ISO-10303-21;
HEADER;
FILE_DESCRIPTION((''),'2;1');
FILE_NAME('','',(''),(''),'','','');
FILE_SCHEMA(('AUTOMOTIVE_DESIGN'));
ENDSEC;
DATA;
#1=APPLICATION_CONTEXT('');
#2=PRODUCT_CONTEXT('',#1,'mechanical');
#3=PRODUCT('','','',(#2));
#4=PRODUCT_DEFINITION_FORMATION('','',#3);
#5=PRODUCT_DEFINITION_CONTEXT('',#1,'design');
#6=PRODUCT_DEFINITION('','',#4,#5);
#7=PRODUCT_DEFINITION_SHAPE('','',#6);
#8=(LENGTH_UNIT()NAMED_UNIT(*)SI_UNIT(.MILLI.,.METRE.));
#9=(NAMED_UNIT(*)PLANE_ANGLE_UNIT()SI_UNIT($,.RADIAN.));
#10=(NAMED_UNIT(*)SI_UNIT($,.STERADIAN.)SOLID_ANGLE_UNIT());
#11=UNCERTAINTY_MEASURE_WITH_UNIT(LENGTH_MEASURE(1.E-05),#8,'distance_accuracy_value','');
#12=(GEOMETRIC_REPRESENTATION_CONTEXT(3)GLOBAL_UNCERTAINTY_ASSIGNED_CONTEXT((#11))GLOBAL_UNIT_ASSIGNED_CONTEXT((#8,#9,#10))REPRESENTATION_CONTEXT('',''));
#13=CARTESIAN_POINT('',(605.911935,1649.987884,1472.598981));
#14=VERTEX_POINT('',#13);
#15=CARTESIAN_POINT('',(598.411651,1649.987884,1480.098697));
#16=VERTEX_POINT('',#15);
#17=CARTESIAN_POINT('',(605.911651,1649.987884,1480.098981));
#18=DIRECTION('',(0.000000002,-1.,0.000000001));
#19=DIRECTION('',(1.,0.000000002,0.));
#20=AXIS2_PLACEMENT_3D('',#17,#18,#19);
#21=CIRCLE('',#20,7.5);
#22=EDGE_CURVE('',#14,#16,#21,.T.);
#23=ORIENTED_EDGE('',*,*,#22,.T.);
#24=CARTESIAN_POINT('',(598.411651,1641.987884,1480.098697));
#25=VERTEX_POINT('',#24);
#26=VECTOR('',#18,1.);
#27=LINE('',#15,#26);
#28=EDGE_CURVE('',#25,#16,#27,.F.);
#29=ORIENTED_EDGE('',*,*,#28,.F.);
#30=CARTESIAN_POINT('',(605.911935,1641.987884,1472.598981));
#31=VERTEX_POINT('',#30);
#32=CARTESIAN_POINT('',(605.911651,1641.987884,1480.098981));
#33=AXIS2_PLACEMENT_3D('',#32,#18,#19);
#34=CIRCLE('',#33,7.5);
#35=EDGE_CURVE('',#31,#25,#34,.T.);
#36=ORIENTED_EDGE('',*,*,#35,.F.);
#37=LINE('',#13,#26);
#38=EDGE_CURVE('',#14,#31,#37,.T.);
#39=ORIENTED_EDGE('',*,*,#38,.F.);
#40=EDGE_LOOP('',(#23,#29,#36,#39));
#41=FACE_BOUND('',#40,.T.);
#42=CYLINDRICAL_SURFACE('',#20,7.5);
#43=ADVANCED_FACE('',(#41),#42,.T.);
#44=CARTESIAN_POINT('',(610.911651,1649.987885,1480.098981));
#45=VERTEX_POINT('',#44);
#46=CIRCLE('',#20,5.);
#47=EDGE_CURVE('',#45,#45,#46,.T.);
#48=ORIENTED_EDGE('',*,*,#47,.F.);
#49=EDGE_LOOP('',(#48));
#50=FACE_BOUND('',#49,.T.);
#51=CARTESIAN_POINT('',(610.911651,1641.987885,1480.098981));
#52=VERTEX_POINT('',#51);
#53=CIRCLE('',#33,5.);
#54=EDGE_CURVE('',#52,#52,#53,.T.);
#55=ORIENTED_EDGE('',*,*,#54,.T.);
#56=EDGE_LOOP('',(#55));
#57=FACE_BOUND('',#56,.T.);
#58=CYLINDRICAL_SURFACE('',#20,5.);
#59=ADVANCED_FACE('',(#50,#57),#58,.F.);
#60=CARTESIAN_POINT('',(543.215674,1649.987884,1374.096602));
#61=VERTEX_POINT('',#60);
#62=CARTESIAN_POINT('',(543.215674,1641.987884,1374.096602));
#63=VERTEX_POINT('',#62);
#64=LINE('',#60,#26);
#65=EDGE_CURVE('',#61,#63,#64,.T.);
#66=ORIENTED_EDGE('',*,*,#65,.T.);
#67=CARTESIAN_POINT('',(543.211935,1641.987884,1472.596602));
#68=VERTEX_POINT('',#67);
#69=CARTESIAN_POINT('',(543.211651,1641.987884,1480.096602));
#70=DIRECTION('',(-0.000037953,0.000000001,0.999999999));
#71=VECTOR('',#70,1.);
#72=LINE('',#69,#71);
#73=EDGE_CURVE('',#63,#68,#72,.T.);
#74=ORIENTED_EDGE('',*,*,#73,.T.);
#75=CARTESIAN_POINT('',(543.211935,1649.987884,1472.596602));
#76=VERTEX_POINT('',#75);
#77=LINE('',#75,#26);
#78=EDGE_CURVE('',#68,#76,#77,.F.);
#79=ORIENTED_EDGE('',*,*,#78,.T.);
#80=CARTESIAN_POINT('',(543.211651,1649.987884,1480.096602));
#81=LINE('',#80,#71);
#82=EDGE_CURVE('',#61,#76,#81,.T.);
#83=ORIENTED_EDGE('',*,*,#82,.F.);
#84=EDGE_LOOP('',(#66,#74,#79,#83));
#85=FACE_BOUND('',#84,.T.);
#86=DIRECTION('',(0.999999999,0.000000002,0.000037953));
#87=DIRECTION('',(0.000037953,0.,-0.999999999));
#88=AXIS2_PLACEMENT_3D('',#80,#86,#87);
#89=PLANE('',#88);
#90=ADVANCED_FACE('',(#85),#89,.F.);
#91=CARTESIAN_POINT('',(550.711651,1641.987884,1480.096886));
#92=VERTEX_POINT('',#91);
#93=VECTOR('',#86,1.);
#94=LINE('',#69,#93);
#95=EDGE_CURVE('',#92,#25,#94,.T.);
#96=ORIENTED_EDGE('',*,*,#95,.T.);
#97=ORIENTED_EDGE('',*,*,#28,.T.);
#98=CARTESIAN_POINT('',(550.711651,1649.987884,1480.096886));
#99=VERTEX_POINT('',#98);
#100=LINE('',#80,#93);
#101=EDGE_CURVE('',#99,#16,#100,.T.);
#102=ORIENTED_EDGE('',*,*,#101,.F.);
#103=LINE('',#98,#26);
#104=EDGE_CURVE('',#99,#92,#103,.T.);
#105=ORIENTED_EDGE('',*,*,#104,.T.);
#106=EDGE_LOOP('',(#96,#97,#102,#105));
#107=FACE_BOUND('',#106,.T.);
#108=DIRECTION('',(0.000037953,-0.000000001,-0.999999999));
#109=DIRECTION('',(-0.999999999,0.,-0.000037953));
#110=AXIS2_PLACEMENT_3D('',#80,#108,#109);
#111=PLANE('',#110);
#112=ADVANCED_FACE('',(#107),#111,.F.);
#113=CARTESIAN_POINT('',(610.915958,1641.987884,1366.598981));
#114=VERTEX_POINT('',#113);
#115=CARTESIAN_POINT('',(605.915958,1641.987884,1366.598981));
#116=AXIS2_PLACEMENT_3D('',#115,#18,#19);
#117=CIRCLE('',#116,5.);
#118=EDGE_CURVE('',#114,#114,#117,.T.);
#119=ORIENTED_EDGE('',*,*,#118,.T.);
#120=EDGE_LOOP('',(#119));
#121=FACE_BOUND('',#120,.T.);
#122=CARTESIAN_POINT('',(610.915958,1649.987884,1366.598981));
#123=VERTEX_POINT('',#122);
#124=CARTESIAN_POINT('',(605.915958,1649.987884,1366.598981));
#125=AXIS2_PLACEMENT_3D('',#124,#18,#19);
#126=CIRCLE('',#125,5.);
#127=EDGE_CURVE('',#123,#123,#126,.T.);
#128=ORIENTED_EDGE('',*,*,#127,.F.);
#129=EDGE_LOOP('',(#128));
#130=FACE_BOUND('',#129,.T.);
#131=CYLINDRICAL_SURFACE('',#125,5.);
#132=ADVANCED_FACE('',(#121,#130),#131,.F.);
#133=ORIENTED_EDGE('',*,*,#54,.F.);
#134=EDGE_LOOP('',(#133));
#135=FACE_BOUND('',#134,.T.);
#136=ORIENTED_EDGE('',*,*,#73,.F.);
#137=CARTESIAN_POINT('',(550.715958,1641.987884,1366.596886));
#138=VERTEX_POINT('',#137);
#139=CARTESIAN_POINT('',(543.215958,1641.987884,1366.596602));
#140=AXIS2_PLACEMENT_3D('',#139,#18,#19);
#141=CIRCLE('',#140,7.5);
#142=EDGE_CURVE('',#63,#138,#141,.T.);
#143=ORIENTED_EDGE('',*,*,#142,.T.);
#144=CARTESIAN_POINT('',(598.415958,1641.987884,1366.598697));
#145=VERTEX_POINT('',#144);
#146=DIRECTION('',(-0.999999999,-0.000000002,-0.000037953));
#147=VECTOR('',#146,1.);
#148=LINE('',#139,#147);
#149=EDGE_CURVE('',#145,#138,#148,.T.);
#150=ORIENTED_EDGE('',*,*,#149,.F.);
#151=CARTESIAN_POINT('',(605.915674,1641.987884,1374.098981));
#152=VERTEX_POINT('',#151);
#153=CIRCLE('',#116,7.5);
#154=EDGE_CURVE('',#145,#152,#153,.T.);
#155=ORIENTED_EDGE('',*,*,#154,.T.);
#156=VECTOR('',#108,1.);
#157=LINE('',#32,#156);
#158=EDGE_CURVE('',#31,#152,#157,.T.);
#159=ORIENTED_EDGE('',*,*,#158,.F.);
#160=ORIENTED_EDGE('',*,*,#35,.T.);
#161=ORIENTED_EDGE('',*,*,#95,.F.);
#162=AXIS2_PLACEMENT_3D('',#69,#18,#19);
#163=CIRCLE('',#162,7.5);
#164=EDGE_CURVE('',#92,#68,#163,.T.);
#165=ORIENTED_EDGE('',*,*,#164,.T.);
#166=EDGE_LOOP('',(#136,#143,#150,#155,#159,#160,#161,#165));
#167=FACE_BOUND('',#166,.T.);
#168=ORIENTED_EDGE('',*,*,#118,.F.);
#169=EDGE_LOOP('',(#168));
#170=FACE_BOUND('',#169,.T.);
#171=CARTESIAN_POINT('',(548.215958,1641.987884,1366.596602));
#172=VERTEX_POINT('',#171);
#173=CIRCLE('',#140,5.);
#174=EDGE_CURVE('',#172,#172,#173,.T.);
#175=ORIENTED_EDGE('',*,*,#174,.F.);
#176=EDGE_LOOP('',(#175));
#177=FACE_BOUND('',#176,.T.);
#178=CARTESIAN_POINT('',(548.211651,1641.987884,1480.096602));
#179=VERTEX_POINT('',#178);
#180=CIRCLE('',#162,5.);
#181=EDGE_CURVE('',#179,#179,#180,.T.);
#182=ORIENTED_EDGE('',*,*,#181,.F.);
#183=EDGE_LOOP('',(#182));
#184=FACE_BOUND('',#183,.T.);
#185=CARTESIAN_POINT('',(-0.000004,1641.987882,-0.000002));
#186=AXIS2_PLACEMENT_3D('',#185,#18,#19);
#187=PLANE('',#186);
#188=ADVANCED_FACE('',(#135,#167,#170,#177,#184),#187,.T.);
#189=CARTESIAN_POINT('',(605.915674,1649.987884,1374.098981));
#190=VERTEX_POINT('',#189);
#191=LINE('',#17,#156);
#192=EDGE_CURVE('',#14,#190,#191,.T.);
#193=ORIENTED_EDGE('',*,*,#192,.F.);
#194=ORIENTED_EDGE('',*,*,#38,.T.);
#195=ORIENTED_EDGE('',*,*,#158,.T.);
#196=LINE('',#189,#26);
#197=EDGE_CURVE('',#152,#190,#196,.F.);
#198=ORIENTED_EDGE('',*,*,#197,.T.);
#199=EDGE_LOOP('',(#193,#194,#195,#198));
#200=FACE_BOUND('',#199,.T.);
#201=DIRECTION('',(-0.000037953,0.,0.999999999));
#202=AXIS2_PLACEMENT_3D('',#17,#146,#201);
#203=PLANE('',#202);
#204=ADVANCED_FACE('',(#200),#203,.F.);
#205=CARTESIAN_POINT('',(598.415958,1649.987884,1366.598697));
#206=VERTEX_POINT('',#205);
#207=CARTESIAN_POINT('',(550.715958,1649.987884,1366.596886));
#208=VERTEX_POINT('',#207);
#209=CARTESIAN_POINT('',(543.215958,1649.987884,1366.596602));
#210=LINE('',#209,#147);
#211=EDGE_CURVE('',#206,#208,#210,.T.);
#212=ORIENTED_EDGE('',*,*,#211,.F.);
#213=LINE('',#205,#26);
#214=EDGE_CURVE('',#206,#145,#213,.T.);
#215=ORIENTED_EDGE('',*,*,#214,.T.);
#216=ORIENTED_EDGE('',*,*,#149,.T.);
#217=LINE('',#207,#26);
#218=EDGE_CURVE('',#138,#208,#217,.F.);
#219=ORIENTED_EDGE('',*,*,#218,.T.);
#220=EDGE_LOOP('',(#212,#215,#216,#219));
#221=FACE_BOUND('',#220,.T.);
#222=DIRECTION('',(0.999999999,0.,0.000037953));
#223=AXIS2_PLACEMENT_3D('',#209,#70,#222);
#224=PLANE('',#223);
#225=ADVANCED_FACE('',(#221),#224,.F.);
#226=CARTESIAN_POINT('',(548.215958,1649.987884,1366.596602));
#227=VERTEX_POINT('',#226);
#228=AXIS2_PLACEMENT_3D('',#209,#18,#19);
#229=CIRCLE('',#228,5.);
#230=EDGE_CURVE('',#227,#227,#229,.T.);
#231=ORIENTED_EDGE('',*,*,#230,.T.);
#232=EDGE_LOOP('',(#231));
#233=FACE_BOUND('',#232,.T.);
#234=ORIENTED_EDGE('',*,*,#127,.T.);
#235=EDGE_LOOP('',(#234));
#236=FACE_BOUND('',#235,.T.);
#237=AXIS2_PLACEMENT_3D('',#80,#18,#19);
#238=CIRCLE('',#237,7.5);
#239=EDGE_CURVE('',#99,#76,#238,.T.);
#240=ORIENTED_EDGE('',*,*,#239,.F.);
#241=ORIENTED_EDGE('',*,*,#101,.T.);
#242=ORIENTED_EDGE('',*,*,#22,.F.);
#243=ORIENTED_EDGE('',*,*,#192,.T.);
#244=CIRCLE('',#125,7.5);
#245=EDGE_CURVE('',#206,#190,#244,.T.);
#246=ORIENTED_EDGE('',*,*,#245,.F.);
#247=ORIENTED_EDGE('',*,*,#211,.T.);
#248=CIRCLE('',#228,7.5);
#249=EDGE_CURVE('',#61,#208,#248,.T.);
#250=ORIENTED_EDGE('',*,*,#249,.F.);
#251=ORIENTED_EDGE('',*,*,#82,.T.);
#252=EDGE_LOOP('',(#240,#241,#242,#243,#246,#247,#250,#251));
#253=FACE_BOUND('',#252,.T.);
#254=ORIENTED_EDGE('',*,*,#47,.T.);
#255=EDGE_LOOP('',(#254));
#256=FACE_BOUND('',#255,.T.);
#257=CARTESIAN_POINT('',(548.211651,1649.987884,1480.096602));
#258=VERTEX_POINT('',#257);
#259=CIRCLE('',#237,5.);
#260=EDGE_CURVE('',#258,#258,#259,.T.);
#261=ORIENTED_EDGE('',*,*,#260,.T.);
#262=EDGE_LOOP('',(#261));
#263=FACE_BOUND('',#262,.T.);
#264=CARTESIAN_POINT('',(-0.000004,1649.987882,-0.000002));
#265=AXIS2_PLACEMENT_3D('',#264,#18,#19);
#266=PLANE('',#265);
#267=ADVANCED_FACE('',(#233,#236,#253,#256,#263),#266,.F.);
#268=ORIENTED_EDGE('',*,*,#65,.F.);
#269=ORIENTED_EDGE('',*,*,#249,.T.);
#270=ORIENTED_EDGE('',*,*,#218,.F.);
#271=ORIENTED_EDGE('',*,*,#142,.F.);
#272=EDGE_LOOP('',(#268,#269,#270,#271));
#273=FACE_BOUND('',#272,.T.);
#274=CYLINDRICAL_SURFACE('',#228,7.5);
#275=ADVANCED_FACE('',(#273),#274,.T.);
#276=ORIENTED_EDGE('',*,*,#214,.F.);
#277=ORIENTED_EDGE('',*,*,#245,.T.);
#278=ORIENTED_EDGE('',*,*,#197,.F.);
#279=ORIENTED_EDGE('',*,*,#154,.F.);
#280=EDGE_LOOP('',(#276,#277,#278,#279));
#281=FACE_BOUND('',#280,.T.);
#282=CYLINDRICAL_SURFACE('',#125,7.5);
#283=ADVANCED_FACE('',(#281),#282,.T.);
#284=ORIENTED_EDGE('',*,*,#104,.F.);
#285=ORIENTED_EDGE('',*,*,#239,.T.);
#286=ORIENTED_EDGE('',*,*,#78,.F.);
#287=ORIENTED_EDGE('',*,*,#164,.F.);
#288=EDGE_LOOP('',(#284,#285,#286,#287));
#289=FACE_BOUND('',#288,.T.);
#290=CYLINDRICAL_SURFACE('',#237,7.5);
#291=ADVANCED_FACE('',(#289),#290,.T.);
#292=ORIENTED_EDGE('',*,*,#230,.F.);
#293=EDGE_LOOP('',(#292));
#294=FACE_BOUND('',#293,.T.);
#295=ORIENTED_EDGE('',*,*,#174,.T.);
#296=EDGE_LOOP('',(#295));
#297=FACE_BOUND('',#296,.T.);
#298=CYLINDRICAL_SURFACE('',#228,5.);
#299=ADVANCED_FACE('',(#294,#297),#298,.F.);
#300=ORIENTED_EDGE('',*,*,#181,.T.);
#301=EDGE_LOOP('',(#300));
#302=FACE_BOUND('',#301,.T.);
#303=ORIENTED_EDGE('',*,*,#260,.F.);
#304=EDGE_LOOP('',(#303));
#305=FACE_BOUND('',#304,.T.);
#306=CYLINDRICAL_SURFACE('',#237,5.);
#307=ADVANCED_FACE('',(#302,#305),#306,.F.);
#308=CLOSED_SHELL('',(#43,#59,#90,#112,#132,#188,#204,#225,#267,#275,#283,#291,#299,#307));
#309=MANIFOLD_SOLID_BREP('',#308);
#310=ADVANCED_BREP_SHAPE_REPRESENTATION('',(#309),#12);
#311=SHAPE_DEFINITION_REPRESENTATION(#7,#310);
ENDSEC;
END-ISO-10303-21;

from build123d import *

# Parameters (mm, degrees)
SKETCH1_W           = 62.7
SKETCH1_H           = 113.5
BOSS_EXTRUDE1_DEPTH = 8
SKETCH2_R           = 7.5
BOSS_EXTRUDE2_DEPTH = 8
SKETCH3_R           = 5
CUT_EXTRUDE1_DEPTH  = 8


with BuildPart() as part:
    # Sketch1 → Boss-Extrude1 (new body)
    with BuildSketch(Plane(origin=(-3.563e-06, 1641.987881811, -1.519e-06), x_dir=(0.999999999, 2e-09, 3.7953e-05), z_dir=(-2e-09, 1, -1e-09))):
        with Locations((574.61782777, -1423.325985679)):
            Rectangle(SKETCH1_W, SKETCH1_H)
    extrude(amount=BOSS_EXTRUDE1_DEPTH)

    # Sketch2 → Boss-Extrude2 (add)
    with BuildSketch(Plane(origin=(-3.563e-06, 1641.987881811, -1.519e-06), x_dir=(0.999999999, 2e-09, 3.7953e-05), z_dir=(2e-09, -1, 1e-09))):
        with Locations((543.26782777, 1366.575985679)):
            Circle(SKETCH2_R)
        with Locations((605.96782777, 1366.575985679)):
            Circle(SKETCH2_R)
        with Locations((605.96782777, 1480.075985679)):
            Circle(SKETCH2_R)
        with Locations((543.26782777, 1480.075985679)):
            Circle(SKETCH2_R)
    extrude(amount=-BOSS_EXTRUDE2_DEPTH)

    # Sketch3 → Cut-Extrude1 (cut)
    with BuildSketch(Plane(origin=(-3.563e-06, 1641.987881811, -1.519e-06), x_dir=(0.999999999, 2e-09, 3.7953e-05), z_dir=(2e-09, -1, 1e-09))):
        with Locations((543.26782777, 1480.075985679)):
            Circle(SKETCH3_R)
        with Locations((605.96782777, 1480.075985679)):
            Circle(SKETCH3_R)
        with Locations((605.96782777, 1366.575985679)):
            Circle(SKETCH3_R)
        with Locations((543.26782777, 1366.575985679)):
            Circle(SKETCH3_R)
    extrude(amount=-CUT_EXTRUDE1_DEPTH, mode=Mode.SUBTRACT)


solid = part.part
